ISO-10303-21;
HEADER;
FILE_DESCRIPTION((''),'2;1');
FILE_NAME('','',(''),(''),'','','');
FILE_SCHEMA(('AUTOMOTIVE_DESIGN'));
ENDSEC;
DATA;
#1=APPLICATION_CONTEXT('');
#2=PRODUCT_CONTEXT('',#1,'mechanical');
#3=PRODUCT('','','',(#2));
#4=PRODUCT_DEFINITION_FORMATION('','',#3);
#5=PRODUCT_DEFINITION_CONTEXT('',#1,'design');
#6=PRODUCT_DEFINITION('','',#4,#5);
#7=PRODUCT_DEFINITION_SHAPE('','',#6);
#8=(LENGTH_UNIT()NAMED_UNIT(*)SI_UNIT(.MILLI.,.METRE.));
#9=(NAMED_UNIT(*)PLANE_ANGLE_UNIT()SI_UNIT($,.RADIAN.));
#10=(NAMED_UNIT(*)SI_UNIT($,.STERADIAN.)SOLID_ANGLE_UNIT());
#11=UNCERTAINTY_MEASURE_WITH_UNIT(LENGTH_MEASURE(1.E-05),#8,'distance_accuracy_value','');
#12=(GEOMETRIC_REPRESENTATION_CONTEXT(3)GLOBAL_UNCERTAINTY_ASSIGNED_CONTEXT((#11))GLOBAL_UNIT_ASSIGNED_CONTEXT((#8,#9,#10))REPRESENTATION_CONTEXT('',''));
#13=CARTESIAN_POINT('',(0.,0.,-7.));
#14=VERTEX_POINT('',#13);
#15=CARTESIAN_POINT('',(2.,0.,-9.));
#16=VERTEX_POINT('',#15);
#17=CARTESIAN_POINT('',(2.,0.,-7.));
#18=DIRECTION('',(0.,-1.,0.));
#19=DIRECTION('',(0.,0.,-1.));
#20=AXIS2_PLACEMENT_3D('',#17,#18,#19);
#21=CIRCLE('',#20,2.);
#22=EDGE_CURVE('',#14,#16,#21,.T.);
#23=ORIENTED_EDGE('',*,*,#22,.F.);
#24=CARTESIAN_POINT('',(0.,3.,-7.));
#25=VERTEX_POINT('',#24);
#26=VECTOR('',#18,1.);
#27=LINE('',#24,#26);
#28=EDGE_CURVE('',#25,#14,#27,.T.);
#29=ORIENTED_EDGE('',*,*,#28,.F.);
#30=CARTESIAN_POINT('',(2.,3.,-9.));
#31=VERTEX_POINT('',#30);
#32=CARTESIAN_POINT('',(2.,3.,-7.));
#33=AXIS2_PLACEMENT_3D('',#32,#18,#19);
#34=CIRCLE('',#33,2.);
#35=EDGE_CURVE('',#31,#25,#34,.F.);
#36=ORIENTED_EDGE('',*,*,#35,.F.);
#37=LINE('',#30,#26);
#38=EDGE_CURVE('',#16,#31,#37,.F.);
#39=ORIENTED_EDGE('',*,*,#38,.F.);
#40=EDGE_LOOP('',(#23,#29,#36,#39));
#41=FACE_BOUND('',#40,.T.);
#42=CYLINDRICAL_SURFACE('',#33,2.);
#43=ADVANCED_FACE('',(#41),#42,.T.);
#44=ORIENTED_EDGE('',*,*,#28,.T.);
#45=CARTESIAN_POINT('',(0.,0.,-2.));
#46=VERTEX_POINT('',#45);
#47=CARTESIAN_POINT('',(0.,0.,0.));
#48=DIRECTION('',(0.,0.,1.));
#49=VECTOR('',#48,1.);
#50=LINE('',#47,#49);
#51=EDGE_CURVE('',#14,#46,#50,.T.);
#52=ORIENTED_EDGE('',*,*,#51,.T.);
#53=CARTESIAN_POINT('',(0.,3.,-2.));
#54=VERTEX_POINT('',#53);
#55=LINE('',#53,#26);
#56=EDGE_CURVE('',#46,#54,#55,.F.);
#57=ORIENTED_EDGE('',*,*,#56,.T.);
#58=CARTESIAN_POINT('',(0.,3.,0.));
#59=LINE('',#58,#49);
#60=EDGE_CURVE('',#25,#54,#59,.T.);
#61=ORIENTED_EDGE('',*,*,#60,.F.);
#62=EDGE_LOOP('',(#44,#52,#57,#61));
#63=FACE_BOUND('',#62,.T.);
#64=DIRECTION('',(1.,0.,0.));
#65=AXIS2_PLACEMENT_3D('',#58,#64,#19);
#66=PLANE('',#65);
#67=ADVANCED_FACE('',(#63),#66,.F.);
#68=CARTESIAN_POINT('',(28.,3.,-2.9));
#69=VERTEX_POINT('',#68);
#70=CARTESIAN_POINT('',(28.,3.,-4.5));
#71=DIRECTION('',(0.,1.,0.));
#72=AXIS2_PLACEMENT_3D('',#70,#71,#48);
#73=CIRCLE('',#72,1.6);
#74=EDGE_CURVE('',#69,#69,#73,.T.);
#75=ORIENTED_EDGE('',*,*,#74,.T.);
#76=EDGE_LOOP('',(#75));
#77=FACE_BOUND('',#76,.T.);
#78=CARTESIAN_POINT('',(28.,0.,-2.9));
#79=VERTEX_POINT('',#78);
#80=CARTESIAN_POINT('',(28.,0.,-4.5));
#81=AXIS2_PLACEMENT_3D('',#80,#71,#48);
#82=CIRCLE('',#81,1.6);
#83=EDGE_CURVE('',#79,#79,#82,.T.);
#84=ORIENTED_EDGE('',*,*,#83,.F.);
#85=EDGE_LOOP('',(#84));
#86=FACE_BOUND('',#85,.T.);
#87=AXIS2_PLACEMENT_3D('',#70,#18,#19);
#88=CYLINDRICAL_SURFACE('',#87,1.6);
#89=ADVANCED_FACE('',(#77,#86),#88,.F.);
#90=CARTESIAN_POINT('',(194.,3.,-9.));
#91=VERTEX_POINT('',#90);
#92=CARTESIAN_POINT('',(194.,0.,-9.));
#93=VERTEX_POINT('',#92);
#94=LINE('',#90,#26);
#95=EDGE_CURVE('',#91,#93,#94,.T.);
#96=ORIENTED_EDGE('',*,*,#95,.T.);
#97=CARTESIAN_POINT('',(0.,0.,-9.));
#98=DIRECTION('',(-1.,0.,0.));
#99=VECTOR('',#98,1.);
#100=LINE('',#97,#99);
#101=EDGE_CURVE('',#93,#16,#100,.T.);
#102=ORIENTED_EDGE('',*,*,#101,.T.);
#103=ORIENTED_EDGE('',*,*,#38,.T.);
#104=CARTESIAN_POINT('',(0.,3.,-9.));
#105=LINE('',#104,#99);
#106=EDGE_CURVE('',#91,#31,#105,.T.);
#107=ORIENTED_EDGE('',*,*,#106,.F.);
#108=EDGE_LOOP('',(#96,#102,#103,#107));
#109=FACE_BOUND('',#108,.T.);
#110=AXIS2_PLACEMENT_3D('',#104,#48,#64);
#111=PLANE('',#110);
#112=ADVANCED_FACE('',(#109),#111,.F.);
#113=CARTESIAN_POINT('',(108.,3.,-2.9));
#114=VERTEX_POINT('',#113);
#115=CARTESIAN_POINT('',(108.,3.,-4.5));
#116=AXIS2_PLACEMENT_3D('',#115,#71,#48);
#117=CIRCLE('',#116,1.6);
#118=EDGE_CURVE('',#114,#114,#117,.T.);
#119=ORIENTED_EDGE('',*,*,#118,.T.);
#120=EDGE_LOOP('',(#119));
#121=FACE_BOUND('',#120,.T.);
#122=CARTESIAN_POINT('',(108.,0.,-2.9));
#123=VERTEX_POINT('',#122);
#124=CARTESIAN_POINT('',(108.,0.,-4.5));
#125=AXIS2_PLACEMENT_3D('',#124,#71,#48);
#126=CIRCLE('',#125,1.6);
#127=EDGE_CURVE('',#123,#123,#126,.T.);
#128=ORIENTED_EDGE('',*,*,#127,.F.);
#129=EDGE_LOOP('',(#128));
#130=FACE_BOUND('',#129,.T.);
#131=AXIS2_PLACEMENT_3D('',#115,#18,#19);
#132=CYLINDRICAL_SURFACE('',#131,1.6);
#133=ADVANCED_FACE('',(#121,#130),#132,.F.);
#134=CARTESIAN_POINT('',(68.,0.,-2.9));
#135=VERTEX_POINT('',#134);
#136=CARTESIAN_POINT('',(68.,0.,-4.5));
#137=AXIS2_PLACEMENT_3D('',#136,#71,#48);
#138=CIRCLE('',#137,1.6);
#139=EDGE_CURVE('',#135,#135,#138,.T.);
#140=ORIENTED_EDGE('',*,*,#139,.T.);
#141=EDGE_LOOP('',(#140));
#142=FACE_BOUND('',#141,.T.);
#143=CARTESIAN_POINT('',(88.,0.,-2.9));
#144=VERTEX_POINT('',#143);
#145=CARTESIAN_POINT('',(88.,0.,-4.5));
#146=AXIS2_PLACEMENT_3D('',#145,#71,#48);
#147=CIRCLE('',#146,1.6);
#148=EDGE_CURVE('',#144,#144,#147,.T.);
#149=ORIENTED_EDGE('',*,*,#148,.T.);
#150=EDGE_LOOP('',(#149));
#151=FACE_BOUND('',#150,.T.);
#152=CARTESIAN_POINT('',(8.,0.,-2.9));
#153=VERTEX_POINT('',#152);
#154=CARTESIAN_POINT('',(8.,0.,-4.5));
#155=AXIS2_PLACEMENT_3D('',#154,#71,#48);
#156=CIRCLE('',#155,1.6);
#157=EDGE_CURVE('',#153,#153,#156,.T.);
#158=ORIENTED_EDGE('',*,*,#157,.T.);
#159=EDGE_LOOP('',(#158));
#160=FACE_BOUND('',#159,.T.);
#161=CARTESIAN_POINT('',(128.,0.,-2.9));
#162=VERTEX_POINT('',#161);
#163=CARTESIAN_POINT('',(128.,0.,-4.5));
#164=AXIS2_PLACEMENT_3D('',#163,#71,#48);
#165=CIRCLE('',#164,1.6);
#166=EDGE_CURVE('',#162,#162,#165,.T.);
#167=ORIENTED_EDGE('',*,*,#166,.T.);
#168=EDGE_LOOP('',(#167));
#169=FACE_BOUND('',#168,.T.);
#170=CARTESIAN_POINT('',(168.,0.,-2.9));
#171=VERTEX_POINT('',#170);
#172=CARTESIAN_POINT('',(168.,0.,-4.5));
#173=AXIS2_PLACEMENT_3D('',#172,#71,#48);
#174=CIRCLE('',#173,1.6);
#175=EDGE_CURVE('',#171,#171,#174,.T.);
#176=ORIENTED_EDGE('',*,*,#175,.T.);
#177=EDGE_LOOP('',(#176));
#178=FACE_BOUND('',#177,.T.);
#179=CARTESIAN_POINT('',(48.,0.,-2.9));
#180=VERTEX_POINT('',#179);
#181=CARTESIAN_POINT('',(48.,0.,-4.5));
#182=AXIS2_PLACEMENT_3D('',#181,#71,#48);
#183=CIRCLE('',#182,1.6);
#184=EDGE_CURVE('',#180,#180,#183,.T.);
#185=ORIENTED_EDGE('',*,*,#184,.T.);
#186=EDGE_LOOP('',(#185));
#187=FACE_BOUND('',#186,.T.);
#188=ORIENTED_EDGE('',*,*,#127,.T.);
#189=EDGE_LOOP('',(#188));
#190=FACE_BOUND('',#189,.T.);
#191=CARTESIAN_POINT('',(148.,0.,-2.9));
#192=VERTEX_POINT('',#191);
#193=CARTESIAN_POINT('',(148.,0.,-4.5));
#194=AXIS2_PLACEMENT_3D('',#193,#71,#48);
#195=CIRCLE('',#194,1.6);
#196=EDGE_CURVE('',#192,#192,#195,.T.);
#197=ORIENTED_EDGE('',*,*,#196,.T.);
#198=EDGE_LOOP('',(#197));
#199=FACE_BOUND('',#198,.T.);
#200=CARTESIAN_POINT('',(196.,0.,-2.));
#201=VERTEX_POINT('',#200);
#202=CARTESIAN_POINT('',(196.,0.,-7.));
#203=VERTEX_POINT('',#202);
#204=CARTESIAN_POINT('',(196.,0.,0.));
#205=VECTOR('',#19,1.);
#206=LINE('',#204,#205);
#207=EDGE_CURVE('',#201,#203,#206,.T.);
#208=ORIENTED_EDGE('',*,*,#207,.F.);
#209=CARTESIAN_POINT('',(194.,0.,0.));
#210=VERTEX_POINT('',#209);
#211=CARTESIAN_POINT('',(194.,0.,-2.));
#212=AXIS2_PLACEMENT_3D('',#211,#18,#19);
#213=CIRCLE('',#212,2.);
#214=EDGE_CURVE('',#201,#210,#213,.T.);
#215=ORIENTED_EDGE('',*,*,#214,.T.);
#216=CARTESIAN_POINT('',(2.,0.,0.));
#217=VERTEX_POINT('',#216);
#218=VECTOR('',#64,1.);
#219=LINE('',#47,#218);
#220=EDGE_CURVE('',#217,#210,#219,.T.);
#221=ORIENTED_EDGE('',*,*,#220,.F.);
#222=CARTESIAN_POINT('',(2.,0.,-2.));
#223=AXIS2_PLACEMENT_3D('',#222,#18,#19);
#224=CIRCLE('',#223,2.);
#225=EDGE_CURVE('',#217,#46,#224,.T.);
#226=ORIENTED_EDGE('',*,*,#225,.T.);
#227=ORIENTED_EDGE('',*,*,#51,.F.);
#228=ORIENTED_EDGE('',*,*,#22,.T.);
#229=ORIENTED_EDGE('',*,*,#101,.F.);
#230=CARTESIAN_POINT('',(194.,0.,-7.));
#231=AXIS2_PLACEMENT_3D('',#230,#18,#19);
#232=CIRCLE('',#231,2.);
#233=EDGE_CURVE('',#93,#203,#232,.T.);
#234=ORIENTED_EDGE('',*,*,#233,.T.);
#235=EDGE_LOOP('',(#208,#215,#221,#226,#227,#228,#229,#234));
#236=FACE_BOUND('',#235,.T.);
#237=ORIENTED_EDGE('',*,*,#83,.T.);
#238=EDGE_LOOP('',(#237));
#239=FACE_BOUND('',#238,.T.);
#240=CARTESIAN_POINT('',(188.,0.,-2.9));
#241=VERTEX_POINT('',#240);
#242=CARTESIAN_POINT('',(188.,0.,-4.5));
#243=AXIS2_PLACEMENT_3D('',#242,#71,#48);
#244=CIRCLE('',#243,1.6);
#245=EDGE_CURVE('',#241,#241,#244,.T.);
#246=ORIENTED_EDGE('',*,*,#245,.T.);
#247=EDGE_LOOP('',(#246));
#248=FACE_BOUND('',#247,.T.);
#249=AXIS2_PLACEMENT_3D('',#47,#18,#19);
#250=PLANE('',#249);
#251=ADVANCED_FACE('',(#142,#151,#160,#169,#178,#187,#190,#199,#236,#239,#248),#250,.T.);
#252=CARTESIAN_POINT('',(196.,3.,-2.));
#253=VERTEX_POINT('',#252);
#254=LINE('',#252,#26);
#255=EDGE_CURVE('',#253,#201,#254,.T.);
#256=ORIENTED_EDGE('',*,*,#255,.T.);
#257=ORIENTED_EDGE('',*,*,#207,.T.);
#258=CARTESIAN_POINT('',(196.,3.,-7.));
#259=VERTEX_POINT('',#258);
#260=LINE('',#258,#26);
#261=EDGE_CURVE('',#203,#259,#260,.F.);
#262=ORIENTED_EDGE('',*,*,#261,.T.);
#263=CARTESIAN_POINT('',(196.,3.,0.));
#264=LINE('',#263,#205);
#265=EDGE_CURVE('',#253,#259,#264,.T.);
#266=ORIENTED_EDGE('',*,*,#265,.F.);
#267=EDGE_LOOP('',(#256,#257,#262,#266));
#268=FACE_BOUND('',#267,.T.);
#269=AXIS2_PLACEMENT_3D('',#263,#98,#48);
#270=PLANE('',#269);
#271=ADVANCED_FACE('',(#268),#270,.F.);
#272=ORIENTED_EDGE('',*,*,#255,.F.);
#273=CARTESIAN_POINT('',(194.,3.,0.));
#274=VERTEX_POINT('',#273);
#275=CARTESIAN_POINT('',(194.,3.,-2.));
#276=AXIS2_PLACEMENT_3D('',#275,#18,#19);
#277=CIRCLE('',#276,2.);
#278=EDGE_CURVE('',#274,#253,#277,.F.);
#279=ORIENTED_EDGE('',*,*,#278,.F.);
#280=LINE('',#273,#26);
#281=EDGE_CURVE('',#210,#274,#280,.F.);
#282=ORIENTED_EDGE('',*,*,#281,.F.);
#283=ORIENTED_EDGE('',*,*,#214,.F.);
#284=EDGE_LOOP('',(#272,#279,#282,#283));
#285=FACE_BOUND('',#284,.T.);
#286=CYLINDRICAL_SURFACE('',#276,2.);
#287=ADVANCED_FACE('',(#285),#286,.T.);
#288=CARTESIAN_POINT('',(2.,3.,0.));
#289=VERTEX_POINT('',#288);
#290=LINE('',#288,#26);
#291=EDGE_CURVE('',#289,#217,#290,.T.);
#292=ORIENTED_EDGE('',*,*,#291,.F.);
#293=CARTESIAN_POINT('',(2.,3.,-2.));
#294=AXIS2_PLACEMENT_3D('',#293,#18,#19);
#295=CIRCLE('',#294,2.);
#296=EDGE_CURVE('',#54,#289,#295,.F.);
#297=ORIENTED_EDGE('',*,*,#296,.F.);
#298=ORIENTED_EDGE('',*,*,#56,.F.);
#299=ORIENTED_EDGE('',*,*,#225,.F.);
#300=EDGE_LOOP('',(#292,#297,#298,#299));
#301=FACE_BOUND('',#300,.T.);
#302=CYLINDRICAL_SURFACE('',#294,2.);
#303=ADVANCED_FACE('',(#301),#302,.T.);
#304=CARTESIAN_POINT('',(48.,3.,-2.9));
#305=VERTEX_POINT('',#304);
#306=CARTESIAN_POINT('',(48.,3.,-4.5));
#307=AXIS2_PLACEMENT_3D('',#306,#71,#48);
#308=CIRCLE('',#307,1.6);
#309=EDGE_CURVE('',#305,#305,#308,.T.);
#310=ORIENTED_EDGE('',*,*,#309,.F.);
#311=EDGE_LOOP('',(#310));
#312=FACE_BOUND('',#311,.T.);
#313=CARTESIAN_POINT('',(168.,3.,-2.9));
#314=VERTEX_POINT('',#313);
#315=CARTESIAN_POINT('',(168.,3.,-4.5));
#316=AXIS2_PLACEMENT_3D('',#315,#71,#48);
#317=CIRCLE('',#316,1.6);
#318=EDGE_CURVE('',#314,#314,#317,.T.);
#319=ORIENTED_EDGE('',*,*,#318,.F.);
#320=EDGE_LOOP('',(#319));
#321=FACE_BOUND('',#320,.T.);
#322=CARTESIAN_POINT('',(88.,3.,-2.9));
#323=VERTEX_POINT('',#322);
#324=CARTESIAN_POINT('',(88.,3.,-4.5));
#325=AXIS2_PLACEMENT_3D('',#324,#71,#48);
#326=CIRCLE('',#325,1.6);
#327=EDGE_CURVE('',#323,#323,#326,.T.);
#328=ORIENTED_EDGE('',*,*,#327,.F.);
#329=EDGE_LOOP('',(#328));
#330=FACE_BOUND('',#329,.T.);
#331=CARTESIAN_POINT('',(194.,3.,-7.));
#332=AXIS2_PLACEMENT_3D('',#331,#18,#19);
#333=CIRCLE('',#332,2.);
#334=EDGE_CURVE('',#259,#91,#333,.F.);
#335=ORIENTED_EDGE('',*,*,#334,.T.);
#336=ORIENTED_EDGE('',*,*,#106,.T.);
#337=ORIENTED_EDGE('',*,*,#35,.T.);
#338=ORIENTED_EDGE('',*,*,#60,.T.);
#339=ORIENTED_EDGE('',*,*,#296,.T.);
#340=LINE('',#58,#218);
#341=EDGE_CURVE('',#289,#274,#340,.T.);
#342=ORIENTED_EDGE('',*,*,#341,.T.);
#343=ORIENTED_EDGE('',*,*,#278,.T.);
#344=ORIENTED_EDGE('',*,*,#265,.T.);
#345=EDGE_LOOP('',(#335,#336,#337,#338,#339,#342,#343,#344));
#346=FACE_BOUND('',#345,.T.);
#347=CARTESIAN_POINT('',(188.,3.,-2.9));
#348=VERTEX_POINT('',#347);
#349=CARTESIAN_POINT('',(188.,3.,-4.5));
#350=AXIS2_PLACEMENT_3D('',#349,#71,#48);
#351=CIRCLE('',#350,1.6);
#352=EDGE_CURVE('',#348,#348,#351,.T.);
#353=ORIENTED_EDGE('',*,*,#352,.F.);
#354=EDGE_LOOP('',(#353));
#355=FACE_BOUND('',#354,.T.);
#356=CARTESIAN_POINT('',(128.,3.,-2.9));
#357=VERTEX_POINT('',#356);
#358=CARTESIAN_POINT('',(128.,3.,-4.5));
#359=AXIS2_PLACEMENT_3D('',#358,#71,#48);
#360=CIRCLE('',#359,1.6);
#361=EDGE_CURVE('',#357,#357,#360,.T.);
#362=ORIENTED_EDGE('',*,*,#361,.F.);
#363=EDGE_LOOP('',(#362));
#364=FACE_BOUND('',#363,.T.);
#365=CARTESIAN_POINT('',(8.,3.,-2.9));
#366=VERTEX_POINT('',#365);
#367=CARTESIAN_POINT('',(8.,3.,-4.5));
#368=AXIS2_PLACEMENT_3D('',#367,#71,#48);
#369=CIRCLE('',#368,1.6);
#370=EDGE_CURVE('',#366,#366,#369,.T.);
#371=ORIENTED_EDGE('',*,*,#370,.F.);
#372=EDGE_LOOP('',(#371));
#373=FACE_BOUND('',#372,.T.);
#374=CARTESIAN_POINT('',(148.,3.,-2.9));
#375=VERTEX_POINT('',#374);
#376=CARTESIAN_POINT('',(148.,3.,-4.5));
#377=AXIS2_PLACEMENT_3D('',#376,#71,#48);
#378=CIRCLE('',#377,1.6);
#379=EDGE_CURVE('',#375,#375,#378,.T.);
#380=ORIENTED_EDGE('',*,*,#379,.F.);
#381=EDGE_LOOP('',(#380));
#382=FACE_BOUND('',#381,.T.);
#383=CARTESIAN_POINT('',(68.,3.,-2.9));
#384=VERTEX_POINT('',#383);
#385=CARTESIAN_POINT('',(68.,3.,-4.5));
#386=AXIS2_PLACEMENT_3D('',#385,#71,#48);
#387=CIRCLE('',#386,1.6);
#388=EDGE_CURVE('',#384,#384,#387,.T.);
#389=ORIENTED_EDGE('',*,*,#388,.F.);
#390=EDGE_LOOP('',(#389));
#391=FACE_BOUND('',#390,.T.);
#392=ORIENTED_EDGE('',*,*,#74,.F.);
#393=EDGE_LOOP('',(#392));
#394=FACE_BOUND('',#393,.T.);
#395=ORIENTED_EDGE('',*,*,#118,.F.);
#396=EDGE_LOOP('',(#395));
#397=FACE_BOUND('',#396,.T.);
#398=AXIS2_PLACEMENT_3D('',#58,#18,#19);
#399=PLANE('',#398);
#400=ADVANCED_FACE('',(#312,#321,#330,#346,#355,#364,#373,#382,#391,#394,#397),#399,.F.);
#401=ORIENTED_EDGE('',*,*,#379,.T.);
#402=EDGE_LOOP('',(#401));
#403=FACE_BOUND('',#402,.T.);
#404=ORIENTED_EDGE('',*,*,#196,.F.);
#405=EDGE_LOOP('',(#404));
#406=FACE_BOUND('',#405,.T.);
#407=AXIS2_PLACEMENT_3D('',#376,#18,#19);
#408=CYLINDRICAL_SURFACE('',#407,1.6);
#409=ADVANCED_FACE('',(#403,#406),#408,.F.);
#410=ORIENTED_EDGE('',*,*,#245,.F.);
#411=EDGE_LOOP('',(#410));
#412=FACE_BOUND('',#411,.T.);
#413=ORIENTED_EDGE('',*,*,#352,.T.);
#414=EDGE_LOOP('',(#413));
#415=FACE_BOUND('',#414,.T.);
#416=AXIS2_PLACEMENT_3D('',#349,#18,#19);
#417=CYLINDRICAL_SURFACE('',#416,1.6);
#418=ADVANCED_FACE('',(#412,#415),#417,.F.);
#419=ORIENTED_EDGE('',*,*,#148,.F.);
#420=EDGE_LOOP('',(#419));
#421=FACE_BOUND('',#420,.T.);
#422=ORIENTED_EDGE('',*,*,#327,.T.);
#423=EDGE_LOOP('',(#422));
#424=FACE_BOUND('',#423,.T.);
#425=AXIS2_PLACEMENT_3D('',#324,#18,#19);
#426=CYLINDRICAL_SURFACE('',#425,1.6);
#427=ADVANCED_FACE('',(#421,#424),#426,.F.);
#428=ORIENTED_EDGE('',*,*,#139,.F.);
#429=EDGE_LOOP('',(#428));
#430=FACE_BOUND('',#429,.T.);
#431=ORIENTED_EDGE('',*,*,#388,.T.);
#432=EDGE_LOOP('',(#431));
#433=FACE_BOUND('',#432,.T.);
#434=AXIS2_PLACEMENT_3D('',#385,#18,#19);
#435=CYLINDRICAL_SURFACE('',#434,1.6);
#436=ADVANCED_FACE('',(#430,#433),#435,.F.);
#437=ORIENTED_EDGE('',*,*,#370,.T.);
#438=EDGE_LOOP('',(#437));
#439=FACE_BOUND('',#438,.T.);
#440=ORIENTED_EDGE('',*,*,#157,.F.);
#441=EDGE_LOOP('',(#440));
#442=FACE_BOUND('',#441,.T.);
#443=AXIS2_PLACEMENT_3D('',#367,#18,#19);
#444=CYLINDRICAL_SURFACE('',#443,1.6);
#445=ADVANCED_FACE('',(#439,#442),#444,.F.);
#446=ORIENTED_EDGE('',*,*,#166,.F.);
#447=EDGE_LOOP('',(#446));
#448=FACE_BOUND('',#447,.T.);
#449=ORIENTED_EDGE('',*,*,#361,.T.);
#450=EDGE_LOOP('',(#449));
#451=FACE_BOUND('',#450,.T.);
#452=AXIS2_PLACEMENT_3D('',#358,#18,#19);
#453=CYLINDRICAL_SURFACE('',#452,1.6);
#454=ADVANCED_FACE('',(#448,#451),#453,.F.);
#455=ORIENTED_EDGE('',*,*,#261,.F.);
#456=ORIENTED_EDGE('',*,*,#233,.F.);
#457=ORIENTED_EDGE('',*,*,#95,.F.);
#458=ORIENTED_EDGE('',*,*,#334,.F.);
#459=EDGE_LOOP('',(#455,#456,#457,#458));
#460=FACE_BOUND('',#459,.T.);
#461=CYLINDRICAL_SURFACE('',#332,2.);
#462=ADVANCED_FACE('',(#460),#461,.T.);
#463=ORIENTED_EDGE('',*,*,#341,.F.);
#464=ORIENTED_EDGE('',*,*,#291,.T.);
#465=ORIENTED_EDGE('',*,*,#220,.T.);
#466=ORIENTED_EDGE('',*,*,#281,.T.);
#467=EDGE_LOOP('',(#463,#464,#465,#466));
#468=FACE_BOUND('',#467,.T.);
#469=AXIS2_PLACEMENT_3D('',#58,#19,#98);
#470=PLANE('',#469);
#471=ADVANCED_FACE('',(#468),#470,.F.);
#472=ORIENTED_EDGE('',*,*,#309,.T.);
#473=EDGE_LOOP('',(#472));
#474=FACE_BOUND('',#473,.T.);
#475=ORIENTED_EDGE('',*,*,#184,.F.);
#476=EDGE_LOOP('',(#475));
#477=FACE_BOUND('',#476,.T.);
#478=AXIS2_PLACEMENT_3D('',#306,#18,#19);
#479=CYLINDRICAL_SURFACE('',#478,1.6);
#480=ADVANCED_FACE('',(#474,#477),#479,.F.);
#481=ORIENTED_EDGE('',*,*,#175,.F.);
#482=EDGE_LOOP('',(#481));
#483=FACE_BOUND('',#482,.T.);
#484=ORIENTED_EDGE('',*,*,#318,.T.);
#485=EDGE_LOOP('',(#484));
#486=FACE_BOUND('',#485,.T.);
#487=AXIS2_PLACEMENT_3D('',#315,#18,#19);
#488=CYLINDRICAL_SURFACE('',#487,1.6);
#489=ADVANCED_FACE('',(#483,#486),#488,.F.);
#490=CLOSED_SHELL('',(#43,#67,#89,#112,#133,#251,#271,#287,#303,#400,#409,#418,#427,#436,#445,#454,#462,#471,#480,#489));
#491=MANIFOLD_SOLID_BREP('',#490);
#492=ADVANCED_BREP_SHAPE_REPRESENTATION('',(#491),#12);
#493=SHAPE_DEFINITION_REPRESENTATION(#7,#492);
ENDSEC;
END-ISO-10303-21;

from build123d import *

# Parameters (mm, degrees)
SKETCH_1_W      = 196
SKETCH_1_H      = 9
SKETCH_1_R      = 1.6
EXTRUDE_1_DEPTH = 3
FILLET_1_R      = 2


with BuildPart() as part:
    # 草图1 → 凸台-拉伸1 (new body)
    with BuildSketch(Plane(origin=(0, 0, 0), x_dir=(1, 0, 0), z_dir=(0, 1, 0))):
        with Locations((98, 4.5)):
            Rectangle(SKETCH_1_W, SKETCH_1_H)
        with Locations((8, 4.5)):
            Circle(SKETCH_1_R, mode=Mode.SUBTRACT)
        with Locations((28, 4.5)):
            Circle(SKETCH_1_R, mode=Mode.SUBTRACT)
        with Locations((48, 4.5)):
            Circle(SKETCH_1_R, mode=Mode.SUBTRACT)
        with Locations((68, 4.5)):
            Circle(SKETCH_1_R, mode=Mode.SUBTRACT)
        with Locations((88, 4.5)):
            Circle(SKETCH_1_R, mode=Mode.SUBTRACT)
        with Locations((108, 4.5)):
            Circle(SKETCH_1_R, mode=Mode.SUBTRACT)
        with Locations((128, 4.5)):
            Circle(SKETCH_1_R, mode=Mode.SUBTRACT)
        with Locations((148, 4.5)):
            Circle(SKETCH_1_R, mode=Mode.SUBTRACT)
        with Locations((168, 4.5)):
            Circle(SKETCH_1_R, mode=Mode.SUBTRACT)
        with Locations((188, 4.5)):
            Circle(SKETCH_1_R, mode=Mode.SUBTRACT)
    extrude(amount=EXTRUDE_1_DEPTH)

    # 圆角1
    fillet_1_edges = [part.edges().sort_by_distance(p)[0] for p in [
        (0, 1.5, -9),
        (196, 1.5, -9),
        (196, 1.5, 0),
        (0, 1.5, 0),
    ]]
    fillet(fillet_1_edges, radius=FILLET_1_R)


solid = part.part
